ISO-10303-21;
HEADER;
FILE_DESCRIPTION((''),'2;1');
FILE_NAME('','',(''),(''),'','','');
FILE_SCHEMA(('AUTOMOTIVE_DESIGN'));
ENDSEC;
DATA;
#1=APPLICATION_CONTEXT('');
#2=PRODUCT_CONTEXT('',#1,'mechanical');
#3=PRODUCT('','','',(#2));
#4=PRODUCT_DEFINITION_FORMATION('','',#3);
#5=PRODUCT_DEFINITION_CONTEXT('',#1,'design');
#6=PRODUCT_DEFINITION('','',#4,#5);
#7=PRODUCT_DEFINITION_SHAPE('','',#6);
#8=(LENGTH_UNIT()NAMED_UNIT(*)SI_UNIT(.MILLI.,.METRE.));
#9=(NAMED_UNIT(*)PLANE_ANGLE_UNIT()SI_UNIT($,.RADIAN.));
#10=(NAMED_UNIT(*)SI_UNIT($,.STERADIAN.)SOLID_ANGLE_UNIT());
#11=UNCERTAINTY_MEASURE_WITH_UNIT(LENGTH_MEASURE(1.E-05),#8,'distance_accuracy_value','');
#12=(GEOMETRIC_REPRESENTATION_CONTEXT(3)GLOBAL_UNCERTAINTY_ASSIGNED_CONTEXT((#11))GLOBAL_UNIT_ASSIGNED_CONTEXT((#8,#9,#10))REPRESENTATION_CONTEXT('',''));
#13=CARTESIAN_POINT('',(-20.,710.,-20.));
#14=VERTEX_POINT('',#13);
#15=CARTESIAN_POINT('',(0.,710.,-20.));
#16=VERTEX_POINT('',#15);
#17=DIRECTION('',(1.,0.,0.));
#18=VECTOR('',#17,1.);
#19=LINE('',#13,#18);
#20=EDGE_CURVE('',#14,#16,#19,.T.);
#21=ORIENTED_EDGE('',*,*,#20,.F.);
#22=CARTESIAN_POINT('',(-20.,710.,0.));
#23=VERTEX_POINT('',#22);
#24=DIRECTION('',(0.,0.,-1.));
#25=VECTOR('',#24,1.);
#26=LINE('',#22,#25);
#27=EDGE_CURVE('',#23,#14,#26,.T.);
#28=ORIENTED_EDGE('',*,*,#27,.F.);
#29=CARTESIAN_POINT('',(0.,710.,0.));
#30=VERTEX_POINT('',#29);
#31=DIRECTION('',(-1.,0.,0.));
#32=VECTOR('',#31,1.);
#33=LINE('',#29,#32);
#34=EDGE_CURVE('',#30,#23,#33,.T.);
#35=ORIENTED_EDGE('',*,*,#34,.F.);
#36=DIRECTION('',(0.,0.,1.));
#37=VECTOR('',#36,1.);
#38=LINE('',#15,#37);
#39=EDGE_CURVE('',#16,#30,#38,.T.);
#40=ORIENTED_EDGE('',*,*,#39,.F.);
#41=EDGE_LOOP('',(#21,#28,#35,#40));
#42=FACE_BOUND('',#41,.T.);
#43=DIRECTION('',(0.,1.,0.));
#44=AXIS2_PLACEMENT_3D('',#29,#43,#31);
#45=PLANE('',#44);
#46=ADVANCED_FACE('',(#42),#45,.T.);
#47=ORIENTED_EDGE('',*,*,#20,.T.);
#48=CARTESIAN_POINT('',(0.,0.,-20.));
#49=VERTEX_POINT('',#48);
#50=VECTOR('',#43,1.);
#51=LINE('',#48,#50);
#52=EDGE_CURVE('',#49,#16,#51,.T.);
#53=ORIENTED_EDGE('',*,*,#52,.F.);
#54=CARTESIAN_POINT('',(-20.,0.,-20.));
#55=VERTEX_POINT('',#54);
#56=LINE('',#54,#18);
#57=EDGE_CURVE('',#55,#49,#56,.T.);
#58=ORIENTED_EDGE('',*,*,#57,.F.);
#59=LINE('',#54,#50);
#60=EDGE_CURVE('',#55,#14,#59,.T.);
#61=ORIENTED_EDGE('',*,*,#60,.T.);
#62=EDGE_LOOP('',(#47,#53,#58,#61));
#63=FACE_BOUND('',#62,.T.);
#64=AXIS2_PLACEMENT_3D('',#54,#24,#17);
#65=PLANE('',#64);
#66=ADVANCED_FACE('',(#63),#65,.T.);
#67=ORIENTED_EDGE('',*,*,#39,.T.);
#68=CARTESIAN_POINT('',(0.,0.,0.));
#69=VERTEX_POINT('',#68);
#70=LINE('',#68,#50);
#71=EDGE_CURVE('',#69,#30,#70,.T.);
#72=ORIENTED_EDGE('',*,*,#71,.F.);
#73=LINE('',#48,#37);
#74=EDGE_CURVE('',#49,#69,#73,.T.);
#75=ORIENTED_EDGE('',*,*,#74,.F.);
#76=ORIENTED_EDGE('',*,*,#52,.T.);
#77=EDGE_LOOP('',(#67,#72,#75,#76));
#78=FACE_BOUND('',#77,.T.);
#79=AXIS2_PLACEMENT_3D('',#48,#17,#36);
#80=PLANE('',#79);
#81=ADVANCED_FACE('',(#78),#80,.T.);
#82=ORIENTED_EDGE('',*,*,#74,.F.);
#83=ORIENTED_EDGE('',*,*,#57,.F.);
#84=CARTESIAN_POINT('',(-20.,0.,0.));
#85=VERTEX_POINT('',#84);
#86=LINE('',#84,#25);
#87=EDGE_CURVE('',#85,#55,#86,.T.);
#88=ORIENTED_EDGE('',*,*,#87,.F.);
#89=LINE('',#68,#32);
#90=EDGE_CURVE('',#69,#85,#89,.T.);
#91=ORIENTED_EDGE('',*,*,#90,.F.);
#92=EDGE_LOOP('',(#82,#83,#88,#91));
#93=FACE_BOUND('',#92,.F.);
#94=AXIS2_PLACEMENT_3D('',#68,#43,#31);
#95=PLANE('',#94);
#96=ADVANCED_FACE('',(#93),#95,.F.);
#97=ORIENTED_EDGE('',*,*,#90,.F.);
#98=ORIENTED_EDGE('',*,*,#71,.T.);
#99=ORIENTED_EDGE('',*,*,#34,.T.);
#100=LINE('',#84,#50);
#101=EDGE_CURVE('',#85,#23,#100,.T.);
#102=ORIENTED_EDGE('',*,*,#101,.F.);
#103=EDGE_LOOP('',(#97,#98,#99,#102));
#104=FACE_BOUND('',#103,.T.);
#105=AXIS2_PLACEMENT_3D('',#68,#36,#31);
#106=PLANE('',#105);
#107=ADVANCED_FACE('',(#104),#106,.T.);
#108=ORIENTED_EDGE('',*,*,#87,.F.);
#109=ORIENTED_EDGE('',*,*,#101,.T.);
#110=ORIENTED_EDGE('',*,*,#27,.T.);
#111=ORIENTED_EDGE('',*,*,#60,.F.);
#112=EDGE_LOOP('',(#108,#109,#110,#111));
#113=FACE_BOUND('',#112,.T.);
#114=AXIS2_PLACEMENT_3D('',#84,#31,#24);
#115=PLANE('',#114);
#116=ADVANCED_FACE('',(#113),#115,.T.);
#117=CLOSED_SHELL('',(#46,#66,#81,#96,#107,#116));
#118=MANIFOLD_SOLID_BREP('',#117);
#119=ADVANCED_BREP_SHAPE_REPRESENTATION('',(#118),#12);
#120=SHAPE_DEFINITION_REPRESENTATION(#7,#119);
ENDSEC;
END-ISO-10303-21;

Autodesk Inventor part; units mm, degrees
ref_plane "YZ Plane" through (0, 0, 0) normal (1, 0, 0) x (0, 1, 0)
ref_plane "XZ Plane" through (0, 0, 0) normal (0, 1, 0) x (-1, 0, 0)
ref_plane "XY Plane" through (0, 0, 0) normal (0, 0, 1) x (1, 0, 0)
sketch "スケッチ1" plane through (0, 0, 0) normal (0, 1, 0) x (-1, 0, 0)
  line L0 (0, 0) -> (20, 0)
  line L1 (20, 0) -> (20, -20)
  line L2 (20, -20) -> (0, -20)
  line L3 (0, -20) -> (0, 0)
  dimension "d0" = 20
  dimension "d1" = 20
extrude "押し出し1" add sketch "スケッチ1" along normal blind 710
properties part number "frame710"
